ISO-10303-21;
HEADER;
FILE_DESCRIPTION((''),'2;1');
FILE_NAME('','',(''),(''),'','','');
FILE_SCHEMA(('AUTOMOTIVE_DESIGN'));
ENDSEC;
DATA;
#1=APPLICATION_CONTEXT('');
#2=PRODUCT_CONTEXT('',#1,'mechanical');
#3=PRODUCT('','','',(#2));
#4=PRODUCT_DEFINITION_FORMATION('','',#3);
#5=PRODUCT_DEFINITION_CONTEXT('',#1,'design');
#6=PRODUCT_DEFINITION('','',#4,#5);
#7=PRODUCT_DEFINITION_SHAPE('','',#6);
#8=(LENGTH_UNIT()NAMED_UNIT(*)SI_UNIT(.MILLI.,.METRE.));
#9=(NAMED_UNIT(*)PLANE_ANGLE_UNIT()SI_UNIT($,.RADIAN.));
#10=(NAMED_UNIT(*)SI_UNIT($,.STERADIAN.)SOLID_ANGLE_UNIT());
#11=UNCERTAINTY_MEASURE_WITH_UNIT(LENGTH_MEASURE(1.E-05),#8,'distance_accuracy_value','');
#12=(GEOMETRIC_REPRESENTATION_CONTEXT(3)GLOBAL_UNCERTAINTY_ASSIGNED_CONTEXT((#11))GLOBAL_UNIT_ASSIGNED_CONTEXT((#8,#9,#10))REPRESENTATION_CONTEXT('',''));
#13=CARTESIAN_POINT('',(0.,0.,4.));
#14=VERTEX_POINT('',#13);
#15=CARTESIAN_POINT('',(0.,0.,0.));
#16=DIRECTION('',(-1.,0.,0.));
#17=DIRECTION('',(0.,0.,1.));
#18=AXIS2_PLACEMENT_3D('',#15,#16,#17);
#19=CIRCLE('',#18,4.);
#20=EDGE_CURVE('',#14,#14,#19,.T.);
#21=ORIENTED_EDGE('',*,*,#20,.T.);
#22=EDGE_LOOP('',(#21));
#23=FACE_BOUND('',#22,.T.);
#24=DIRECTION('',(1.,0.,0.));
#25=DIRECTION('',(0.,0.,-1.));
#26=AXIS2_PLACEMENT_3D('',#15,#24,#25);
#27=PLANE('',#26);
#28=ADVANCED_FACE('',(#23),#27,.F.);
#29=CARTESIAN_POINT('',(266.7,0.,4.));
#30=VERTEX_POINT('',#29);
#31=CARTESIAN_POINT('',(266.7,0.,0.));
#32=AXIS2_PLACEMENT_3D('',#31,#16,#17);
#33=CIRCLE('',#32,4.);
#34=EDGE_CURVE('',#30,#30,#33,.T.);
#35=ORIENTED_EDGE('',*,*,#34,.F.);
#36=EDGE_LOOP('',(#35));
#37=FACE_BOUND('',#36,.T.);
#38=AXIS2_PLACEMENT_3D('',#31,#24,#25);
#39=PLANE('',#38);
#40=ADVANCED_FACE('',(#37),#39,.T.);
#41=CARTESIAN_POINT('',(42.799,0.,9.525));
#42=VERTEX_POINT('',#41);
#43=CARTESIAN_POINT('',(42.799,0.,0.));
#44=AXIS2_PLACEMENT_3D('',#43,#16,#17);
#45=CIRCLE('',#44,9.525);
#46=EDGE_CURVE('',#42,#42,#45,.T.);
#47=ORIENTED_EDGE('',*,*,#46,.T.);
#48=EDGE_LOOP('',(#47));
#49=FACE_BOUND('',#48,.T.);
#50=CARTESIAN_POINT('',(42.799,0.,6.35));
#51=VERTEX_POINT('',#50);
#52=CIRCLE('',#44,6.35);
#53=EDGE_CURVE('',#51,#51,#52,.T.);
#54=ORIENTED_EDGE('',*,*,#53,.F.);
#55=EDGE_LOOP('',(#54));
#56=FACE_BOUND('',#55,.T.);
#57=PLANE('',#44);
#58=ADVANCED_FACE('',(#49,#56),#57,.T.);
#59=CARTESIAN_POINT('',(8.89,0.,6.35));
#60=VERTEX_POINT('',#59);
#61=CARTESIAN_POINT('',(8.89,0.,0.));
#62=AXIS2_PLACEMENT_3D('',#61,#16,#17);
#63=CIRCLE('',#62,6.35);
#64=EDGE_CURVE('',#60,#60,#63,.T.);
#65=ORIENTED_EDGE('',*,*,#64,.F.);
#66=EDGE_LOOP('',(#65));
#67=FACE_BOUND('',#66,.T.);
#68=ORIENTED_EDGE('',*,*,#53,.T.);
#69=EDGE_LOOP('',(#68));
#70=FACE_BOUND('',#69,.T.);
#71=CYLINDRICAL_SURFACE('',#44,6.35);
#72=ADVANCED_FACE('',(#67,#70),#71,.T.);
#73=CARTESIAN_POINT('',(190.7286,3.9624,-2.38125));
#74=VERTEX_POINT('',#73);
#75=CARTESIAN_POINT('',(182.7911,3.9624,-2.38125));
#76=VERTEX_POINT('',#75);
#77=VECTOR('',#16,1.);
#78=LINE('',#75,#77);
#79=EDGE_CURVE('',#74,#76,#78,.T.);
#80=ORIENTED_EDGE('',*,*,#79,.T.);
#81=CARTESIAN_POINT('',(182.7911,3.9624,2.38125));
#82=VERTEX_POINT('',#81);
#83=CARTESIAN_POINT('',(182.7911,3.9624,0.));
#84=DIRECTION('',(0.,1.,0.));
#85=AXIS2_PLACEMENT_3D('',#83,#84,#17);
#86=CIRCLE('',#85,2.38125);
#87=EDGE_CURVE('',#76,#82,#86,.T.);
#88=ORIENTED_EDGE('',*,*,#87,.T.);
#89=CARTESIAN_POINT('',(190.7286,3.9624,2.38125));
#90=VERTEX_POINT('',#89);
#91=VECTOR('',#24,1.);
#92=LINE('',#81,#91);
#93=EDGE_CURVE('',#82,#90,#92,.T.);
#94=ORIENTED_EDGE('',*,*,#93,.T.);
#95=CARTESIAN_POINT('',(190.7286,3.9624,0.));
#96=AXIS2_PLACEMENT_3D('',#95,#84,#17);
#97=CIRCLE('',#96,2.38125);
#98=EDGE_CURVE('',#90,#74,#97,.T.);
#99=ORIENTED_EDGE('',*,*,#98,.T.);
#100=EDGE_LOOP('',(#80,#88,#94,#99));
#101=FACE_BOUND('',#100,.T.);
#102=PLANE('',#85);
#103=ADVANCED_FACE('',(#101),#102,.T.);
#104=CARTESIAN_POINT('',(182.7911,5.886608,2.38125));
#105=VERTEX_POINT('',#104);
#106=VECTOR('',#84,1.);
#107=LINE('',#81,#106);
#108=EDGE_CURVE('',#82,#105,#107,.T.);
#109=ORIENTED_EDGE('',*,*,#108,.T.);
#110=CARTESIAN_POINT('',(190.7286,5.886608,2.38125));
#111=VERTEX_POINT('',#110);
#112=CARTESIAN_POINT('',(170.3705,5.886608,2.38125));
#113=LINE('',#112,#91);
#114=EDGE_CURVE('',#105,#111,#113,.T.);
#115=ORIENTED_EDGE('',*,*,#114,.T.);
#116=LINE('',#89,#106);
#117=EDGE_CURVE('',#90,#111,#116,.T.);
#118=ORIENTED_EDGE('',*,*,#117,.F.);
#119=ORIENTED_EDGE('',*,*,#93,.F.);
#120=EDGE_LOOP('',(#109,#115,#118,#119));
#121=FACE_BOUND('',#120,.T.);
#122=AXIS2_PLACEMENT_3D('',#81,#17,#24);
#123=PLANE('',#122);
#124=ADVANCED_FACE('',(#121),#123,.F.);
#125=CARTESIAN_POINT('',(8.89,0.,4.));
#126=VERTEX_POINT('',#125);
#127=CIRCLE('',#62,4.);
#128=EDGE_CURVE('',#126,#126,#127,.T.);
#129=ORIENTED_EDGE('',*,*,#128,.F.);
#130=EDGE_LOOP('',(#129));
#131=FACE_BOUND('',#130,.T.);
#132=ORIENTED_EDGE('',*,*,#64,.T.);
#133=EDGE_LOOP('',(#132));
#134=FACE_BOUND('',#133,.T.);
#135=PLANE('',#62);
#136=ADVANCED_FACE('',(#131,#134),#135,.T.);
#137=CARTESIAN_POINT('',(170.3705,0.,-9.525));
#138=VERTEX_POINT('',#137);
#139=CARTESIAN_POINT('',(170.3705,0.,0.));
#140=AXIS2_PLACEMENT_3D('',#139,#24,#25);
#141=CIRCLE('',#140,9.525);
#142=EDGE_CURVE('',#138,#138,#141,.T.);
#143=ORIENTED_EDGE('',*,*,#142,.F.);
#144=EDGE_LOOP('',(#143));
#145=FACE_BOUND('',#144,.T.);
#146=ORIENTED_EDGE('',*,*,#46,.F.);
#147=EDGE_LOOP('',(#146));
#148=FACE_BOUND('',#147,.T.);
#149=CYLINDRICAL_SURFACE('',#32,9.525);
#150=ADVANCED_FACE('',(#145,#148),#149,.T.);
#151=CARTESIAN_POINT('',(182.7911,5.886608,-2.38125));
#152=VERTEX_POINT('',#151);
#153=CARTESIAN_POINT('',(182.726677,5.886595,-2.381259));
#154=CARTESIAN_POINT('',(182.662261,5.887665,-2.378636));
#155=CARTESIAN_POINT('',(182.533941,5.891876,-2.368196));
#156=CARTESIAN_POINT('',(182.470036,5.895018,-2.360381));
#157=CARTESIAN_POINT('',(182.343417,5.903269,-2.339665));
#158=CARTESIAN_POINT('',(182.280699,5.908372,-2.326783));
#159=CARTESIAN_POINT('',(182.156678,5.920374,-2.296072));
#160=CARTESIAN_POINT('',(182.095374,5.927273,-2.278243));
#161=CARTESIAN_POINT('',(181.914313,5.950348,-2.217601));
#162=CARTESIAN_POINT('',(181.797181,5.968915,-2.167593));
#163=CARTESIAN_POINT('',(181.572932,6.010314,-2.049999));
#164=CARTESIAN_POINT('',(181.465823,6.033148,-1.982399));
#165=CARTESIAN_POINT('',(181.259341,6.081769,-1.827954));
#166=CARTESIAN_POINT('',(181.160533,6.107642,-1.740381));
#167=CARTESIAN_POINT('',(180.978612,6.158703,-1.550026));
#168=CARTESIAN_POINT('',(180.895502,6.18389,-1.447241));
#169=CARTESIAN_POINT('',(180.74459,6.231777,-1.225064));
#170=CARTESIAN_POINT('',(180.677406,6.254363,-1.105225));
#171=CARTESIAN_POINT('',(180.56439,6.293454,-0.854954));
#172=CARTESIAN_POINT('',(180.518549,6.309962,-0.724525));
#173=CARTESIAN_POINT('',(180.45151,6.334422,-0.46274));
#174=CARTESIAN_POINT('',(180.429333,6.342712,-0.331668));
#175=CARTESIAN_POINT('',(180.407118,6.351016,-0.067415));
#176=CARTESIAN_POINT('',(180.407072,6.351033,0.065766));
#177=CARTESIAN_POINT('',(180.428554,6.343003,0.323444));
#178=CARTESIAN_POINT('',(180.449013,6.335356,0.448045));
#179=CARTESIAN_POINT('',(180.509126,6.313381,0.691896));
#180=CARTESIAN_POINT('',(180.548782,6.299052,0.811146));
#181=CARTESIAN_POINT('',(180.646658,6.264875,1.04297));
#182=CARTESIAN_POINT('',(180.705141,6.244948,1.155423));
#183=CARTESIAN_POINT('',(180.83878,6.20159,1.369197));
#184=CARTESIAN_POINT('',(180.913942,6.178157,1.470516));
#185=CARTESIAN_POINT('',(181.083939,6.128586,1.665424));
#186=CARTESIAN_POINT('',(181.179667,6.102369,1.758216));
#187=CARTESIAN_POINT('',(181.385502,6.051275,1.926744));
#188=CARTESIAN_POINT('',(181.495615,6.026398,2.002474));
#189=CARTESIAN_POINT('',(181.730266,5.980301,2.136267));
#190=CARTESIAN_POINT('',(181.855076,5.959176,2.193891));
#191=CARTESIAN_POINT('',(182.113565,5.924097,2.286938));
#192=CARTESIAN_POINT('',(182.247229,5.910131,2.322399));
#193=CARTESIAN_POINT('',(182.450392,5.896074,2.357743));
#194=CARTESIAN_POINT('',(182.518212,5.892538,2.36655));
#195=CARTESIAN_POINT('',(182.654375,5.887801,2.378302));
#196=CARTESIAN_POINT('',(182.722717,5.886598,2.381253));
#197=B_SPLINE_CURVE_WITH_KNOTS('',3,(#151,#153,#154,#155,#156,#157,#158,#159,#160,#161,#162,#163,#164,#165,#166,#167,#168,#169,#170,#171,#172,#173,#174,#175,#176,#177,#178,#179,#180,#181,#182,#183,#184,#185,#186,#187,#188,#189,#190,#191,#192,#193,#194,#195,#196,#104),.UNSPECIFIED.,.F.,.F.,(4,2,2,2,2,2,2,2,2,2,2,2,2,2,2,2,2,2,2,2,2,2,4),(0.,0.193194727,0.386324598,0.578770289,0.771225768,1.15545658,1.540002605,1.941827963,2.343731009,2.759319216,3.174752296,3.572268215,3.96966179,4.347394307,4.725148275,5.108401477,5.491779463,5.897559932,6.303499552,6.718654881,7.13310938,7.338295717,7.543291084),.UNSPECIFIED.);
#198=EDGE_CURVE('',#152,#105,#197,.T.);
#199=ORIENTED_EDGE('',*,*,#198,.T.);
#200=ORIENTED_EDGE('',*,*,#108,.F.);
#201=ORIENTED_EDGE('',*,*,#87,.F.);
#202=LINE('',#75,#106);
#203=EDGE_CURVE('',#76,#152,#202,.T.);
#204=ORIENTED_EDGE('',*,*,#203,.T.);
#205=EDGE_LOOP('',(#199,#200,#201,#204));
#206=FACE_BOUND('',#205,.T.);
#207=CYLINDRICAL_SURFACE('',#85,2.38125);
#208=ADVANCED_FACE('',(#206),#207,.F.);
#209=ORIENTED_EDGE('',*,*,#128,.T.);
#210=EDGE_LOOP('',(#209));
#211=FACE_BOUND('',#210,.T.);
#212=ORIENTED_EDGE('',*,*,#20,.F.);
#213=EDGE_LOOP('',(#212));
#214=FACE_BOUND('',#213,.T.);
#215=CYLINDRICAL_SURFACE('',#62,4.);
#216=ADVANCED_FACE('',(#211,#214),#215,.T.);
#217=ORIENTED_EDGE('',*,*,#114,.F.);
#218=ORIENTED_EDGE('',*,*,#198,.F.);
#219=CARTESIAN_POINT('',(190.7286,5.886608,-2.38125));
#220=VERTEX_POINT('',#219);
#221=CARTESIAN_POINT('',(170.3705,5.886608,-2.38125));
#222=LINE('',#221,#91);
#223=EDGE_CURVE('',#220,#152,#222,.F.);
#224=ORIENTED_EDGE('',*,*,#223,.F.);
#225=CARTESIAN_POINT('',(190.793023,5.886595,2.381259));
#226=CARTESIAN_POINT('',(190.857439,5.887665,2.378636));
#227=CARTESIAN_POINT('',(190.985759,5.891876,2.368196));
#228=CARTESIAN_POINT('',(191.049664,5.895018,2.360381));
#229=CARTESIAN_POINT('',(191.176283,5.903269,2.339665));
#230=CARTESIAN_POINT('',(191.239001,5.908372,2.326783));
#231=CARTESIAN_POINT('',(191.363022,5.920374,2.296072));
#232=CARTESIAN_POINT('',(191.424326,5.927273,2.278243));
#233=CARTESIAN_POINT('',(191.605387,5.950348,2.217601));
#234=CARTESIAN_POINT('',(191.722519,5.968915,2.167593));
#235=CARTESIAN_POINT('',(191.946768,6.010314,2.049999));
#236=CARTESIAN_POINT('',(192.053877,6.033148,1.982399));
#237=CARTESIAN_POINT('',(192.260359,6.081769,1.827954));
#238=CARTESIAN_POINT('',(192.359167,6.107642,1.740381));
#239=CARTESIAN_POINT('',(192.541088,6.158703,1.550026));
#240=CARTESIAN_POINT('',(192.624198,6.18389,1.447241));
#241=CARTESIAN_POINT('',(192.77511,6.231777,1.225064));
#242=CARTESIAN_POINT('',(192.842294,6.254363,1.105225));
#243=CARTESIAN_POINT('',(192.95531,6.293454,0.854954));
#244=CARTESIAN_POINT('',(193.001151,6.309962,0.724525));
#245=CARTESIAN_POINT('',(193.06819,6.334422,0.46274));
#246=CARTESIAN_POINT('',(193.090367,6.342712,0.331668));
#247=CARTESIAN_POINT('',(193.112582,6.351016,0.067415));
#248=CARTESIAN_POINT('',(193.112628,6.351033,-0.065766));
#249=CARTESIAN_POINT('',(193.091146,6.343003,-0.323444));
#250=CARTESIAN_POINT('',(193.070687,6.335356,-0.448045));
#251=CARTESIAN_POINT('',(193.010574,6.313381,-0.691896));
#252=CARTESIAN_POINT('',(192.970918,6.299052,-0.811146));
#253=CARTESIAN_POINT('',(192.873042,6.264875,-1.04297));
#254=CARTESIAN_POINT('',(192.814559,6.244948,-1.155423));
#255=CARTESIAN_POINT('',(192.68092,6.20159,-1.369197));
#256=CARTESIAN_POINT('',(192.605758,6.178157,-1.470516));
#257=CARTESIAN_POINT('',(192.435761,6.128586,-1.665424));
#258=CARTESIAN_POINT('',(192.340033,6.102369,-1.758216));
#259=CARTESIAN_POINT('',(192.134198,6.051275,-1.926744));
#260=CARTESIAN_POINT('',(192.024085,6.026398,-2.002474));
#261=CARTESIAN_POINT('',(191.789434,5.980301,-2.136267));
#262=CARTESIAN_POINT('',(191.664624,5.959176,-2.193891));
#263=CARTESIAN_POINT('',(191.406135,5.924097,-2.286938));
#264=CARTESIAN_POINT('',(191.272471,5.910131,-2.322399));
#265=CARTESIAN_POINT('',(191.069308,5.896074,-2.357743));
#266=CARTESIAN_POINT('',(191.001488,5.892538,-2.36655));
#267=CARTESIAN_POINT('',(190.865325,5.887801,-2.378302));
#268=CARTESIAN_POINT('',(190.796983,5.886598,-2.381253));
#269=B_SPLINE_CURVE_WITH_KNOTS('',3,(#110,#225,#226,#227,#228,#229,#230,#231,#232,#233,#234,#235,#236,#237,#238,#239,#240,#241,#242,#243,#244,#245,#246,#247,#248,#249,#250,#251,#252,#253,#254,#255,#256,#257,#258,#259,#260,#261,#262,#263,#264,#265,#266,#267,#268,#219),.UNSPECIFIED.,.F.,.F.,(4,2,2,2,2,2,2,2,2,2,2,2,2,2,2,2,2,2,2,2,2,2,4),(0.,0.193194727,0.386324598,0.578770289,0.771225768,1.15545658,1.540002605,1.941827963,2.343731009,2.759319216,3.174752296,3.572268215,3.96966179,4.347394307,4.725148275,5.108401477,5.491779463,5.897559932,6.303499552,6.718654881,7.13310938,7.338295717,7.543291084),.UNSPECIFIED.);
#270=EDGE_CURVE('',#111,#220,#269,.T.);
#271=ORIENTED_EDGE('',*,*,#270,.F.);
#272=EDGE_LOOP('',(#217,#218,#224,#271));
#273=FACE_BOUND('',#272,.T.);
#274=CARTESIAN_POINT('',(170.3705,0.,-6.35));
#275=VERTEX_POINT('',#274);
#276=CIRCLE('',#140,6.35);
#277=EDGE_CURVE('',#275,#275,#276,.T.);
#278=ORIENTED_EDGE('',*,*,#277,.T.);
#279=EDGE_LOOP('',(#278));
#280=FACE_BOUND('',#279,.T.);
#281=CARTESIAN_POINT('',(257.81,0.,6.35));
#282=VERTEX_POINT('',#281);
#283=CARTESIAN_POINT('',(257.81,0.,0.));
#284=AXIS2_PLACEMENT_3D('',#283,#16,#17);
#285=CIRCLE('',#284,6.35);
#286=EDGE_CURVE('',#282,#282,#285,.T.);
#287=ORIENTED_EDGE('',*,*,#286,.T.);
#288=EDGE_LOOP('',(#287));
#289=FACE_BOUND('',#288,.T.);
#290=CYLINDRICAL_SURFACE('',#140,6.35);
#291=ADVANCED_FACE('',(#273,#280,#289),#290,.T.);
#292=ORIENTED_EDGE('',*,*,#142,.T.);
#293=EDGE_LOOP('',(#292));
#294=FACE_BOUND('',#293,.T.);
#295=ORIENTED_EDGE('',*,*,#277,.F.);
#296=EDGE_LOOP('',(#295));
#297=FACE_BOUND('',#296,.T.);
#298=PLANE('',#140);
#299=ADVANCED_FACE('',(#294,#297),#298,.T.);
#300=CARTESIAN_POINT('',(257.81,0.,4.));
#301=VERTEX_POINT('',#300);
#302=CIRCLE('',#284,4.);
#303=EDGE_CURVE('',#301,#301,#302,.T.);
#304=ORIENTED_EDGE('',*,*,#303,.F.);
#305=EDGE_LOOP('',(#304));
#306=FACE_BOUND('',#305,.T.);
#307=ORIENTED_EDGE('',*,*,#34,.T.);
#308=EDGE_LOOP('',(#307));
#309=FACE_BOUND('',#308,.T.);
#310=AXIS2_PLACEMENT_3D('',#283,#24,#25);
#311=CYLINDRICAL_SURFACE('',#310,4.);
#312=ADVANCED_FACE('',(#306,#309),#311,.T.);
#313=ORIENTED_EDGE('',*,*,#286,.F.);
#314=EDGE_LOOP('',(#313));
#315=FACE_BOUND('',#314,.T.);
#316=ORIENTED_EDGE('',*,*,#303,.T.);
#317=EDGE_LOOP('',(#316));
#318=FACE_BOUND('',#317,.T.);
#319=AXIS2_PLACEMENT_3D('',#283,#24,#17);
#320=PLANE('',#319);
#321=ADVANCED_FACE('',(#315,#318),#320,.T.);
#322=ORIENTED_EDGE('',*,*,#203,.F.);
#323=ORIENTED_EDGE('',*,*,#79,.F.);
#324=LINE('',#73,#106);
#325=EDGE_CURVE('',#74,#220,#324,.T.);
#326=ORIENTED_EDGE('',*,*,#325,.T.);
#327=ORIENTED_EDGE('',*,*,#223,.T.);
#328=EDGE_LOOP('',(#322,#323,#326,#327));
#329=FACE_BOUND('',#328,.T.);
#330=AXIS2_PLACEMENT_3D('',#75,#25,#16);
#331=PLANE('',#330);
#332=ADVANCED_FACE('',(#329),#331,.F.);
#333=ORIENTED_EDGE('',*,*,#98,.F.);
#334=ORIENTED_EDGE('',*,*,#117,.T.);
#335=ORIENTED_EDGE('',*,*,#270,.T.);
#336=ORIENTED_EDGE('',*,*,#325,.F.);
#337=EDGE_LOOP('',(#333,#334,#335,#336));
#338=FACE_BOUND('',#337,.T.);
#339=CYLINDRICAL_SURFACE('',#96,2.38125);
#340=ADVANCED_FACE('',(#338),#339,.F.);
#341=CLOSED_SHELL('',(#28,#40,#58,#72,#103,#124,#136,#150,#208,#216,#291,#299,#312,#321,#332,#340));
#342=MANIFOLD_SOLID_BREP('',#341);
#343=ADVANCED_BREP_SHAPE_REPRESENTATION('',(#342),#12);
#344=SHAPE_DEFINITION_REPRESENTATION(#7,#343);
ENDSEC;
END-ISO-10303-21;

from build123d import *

# Parameters (mm, degrees)
SKETCH1_R           = 9.525
BOSS_EXTRUDE1_DEPTH = 266.7
SKETCH4_R           = 9.525
SKETCH4_R_2         = 6.35
CUT_EXTRUDE3_DEPTH  = 42.799
SKETCH5_R           = 6.35
SKETCH5_R_2         = 4
CUT_EXTRUDE4_DEPTH  = 8.89
CUT_EXTRUDE5_START  = -96.3295
SKETCH6_R           = 9.525
SKETCH6_R_2         = 6.35
CUT_EXTRUDE5_DEPTH  = 96.3295
CUT_EXTRUDE6_DEPTH  = 2.3876


with BuildPart() as part:
    # Sketch1 → Boss-Extrude1 (new body)
    with BuildSketch(Plane(origin=(0, 0, 0), x_dir=(0, 0, -1), z_dir=(1, 0, 0))):
        Circle(SKETCH1_R)
    extrude(amount=BOSS_EXTRUDE1_DEPTH)

    # Sketch4 → Cut-Extrude3 (cut)
    with BuildSketch(Plane.ZY):
        Circle(SKETCH4_R)
        Circle(SKETCH4_R_2, mode=Mode.SUBTRACT)
    extrude(amount=-CUT_EXTRUDE3_DEPTH, mode=Mode.SUBTRACT)

    # Sketch5 → Cut-Extrude4 (cut)
    with BuildSketch(Plane.ZY):
        Circle(SKETCH5_R)
        Circle(SKETCH5_R_2, mode=Mode.SUBTRACT)
    cut_extrude4 = extrude(amount=-CUT_EXTRUDE4_DEPTH, mode=Mode.SUBTRACT)

    # Sketch6 → Cut-Extrude5 (cut)
    with BuildSketch(Plane(origin=(266.7, 0, 0), x_dir=(0, 0, -1), z_dir=(1, 0, 0)).offset(CUT_EXTRUDE5_START)):
        with Locations(Location((0, 0, 0), (0, 0, 180))):
            Circle(SKETCH6_R)
        with Locations(Location((0, 0, 0), (0, 0, 180))):
            Circle(SKETCH6_R_2, mode=Mode.SUBTRACT)
    extrude(amount=CUT_EXTRUDE5_DEPTH, mode=Mode.SUBTRACT)

    # Mirror1: Cut-Extrude4 across plane
    add(cut_extrude4.mirror(Plane.ZY.offset(-133.35)), mode=Mode.SUBTRACT)

    # Sketch7 → Cut-Extrude6 (cut)
    with BuildSketch(Plane(origin=(0, 6.35, 0), x_dir=(1, 0, 0), z_dir=(0, 1, 0))):
        with BuildLine():
            Line((182.7911, 2.38125), (190.7286, 2.38125))
            ThreePointArc((190.7286, 2.38125), (193.10985, 0), (190.7286, -2.38125))
            Line((190.7286, -2.38125), (182.7911, -2.38125))
            ThreePointArc((182.7911, -2.38125), (180.40985, 0), (182.7911, 2.38125))
        make_face()
    extrude(amount=-CUT_EXTRUDE6_DEPTH, mode=Mode.SUBTRACT)


solid = part.part
